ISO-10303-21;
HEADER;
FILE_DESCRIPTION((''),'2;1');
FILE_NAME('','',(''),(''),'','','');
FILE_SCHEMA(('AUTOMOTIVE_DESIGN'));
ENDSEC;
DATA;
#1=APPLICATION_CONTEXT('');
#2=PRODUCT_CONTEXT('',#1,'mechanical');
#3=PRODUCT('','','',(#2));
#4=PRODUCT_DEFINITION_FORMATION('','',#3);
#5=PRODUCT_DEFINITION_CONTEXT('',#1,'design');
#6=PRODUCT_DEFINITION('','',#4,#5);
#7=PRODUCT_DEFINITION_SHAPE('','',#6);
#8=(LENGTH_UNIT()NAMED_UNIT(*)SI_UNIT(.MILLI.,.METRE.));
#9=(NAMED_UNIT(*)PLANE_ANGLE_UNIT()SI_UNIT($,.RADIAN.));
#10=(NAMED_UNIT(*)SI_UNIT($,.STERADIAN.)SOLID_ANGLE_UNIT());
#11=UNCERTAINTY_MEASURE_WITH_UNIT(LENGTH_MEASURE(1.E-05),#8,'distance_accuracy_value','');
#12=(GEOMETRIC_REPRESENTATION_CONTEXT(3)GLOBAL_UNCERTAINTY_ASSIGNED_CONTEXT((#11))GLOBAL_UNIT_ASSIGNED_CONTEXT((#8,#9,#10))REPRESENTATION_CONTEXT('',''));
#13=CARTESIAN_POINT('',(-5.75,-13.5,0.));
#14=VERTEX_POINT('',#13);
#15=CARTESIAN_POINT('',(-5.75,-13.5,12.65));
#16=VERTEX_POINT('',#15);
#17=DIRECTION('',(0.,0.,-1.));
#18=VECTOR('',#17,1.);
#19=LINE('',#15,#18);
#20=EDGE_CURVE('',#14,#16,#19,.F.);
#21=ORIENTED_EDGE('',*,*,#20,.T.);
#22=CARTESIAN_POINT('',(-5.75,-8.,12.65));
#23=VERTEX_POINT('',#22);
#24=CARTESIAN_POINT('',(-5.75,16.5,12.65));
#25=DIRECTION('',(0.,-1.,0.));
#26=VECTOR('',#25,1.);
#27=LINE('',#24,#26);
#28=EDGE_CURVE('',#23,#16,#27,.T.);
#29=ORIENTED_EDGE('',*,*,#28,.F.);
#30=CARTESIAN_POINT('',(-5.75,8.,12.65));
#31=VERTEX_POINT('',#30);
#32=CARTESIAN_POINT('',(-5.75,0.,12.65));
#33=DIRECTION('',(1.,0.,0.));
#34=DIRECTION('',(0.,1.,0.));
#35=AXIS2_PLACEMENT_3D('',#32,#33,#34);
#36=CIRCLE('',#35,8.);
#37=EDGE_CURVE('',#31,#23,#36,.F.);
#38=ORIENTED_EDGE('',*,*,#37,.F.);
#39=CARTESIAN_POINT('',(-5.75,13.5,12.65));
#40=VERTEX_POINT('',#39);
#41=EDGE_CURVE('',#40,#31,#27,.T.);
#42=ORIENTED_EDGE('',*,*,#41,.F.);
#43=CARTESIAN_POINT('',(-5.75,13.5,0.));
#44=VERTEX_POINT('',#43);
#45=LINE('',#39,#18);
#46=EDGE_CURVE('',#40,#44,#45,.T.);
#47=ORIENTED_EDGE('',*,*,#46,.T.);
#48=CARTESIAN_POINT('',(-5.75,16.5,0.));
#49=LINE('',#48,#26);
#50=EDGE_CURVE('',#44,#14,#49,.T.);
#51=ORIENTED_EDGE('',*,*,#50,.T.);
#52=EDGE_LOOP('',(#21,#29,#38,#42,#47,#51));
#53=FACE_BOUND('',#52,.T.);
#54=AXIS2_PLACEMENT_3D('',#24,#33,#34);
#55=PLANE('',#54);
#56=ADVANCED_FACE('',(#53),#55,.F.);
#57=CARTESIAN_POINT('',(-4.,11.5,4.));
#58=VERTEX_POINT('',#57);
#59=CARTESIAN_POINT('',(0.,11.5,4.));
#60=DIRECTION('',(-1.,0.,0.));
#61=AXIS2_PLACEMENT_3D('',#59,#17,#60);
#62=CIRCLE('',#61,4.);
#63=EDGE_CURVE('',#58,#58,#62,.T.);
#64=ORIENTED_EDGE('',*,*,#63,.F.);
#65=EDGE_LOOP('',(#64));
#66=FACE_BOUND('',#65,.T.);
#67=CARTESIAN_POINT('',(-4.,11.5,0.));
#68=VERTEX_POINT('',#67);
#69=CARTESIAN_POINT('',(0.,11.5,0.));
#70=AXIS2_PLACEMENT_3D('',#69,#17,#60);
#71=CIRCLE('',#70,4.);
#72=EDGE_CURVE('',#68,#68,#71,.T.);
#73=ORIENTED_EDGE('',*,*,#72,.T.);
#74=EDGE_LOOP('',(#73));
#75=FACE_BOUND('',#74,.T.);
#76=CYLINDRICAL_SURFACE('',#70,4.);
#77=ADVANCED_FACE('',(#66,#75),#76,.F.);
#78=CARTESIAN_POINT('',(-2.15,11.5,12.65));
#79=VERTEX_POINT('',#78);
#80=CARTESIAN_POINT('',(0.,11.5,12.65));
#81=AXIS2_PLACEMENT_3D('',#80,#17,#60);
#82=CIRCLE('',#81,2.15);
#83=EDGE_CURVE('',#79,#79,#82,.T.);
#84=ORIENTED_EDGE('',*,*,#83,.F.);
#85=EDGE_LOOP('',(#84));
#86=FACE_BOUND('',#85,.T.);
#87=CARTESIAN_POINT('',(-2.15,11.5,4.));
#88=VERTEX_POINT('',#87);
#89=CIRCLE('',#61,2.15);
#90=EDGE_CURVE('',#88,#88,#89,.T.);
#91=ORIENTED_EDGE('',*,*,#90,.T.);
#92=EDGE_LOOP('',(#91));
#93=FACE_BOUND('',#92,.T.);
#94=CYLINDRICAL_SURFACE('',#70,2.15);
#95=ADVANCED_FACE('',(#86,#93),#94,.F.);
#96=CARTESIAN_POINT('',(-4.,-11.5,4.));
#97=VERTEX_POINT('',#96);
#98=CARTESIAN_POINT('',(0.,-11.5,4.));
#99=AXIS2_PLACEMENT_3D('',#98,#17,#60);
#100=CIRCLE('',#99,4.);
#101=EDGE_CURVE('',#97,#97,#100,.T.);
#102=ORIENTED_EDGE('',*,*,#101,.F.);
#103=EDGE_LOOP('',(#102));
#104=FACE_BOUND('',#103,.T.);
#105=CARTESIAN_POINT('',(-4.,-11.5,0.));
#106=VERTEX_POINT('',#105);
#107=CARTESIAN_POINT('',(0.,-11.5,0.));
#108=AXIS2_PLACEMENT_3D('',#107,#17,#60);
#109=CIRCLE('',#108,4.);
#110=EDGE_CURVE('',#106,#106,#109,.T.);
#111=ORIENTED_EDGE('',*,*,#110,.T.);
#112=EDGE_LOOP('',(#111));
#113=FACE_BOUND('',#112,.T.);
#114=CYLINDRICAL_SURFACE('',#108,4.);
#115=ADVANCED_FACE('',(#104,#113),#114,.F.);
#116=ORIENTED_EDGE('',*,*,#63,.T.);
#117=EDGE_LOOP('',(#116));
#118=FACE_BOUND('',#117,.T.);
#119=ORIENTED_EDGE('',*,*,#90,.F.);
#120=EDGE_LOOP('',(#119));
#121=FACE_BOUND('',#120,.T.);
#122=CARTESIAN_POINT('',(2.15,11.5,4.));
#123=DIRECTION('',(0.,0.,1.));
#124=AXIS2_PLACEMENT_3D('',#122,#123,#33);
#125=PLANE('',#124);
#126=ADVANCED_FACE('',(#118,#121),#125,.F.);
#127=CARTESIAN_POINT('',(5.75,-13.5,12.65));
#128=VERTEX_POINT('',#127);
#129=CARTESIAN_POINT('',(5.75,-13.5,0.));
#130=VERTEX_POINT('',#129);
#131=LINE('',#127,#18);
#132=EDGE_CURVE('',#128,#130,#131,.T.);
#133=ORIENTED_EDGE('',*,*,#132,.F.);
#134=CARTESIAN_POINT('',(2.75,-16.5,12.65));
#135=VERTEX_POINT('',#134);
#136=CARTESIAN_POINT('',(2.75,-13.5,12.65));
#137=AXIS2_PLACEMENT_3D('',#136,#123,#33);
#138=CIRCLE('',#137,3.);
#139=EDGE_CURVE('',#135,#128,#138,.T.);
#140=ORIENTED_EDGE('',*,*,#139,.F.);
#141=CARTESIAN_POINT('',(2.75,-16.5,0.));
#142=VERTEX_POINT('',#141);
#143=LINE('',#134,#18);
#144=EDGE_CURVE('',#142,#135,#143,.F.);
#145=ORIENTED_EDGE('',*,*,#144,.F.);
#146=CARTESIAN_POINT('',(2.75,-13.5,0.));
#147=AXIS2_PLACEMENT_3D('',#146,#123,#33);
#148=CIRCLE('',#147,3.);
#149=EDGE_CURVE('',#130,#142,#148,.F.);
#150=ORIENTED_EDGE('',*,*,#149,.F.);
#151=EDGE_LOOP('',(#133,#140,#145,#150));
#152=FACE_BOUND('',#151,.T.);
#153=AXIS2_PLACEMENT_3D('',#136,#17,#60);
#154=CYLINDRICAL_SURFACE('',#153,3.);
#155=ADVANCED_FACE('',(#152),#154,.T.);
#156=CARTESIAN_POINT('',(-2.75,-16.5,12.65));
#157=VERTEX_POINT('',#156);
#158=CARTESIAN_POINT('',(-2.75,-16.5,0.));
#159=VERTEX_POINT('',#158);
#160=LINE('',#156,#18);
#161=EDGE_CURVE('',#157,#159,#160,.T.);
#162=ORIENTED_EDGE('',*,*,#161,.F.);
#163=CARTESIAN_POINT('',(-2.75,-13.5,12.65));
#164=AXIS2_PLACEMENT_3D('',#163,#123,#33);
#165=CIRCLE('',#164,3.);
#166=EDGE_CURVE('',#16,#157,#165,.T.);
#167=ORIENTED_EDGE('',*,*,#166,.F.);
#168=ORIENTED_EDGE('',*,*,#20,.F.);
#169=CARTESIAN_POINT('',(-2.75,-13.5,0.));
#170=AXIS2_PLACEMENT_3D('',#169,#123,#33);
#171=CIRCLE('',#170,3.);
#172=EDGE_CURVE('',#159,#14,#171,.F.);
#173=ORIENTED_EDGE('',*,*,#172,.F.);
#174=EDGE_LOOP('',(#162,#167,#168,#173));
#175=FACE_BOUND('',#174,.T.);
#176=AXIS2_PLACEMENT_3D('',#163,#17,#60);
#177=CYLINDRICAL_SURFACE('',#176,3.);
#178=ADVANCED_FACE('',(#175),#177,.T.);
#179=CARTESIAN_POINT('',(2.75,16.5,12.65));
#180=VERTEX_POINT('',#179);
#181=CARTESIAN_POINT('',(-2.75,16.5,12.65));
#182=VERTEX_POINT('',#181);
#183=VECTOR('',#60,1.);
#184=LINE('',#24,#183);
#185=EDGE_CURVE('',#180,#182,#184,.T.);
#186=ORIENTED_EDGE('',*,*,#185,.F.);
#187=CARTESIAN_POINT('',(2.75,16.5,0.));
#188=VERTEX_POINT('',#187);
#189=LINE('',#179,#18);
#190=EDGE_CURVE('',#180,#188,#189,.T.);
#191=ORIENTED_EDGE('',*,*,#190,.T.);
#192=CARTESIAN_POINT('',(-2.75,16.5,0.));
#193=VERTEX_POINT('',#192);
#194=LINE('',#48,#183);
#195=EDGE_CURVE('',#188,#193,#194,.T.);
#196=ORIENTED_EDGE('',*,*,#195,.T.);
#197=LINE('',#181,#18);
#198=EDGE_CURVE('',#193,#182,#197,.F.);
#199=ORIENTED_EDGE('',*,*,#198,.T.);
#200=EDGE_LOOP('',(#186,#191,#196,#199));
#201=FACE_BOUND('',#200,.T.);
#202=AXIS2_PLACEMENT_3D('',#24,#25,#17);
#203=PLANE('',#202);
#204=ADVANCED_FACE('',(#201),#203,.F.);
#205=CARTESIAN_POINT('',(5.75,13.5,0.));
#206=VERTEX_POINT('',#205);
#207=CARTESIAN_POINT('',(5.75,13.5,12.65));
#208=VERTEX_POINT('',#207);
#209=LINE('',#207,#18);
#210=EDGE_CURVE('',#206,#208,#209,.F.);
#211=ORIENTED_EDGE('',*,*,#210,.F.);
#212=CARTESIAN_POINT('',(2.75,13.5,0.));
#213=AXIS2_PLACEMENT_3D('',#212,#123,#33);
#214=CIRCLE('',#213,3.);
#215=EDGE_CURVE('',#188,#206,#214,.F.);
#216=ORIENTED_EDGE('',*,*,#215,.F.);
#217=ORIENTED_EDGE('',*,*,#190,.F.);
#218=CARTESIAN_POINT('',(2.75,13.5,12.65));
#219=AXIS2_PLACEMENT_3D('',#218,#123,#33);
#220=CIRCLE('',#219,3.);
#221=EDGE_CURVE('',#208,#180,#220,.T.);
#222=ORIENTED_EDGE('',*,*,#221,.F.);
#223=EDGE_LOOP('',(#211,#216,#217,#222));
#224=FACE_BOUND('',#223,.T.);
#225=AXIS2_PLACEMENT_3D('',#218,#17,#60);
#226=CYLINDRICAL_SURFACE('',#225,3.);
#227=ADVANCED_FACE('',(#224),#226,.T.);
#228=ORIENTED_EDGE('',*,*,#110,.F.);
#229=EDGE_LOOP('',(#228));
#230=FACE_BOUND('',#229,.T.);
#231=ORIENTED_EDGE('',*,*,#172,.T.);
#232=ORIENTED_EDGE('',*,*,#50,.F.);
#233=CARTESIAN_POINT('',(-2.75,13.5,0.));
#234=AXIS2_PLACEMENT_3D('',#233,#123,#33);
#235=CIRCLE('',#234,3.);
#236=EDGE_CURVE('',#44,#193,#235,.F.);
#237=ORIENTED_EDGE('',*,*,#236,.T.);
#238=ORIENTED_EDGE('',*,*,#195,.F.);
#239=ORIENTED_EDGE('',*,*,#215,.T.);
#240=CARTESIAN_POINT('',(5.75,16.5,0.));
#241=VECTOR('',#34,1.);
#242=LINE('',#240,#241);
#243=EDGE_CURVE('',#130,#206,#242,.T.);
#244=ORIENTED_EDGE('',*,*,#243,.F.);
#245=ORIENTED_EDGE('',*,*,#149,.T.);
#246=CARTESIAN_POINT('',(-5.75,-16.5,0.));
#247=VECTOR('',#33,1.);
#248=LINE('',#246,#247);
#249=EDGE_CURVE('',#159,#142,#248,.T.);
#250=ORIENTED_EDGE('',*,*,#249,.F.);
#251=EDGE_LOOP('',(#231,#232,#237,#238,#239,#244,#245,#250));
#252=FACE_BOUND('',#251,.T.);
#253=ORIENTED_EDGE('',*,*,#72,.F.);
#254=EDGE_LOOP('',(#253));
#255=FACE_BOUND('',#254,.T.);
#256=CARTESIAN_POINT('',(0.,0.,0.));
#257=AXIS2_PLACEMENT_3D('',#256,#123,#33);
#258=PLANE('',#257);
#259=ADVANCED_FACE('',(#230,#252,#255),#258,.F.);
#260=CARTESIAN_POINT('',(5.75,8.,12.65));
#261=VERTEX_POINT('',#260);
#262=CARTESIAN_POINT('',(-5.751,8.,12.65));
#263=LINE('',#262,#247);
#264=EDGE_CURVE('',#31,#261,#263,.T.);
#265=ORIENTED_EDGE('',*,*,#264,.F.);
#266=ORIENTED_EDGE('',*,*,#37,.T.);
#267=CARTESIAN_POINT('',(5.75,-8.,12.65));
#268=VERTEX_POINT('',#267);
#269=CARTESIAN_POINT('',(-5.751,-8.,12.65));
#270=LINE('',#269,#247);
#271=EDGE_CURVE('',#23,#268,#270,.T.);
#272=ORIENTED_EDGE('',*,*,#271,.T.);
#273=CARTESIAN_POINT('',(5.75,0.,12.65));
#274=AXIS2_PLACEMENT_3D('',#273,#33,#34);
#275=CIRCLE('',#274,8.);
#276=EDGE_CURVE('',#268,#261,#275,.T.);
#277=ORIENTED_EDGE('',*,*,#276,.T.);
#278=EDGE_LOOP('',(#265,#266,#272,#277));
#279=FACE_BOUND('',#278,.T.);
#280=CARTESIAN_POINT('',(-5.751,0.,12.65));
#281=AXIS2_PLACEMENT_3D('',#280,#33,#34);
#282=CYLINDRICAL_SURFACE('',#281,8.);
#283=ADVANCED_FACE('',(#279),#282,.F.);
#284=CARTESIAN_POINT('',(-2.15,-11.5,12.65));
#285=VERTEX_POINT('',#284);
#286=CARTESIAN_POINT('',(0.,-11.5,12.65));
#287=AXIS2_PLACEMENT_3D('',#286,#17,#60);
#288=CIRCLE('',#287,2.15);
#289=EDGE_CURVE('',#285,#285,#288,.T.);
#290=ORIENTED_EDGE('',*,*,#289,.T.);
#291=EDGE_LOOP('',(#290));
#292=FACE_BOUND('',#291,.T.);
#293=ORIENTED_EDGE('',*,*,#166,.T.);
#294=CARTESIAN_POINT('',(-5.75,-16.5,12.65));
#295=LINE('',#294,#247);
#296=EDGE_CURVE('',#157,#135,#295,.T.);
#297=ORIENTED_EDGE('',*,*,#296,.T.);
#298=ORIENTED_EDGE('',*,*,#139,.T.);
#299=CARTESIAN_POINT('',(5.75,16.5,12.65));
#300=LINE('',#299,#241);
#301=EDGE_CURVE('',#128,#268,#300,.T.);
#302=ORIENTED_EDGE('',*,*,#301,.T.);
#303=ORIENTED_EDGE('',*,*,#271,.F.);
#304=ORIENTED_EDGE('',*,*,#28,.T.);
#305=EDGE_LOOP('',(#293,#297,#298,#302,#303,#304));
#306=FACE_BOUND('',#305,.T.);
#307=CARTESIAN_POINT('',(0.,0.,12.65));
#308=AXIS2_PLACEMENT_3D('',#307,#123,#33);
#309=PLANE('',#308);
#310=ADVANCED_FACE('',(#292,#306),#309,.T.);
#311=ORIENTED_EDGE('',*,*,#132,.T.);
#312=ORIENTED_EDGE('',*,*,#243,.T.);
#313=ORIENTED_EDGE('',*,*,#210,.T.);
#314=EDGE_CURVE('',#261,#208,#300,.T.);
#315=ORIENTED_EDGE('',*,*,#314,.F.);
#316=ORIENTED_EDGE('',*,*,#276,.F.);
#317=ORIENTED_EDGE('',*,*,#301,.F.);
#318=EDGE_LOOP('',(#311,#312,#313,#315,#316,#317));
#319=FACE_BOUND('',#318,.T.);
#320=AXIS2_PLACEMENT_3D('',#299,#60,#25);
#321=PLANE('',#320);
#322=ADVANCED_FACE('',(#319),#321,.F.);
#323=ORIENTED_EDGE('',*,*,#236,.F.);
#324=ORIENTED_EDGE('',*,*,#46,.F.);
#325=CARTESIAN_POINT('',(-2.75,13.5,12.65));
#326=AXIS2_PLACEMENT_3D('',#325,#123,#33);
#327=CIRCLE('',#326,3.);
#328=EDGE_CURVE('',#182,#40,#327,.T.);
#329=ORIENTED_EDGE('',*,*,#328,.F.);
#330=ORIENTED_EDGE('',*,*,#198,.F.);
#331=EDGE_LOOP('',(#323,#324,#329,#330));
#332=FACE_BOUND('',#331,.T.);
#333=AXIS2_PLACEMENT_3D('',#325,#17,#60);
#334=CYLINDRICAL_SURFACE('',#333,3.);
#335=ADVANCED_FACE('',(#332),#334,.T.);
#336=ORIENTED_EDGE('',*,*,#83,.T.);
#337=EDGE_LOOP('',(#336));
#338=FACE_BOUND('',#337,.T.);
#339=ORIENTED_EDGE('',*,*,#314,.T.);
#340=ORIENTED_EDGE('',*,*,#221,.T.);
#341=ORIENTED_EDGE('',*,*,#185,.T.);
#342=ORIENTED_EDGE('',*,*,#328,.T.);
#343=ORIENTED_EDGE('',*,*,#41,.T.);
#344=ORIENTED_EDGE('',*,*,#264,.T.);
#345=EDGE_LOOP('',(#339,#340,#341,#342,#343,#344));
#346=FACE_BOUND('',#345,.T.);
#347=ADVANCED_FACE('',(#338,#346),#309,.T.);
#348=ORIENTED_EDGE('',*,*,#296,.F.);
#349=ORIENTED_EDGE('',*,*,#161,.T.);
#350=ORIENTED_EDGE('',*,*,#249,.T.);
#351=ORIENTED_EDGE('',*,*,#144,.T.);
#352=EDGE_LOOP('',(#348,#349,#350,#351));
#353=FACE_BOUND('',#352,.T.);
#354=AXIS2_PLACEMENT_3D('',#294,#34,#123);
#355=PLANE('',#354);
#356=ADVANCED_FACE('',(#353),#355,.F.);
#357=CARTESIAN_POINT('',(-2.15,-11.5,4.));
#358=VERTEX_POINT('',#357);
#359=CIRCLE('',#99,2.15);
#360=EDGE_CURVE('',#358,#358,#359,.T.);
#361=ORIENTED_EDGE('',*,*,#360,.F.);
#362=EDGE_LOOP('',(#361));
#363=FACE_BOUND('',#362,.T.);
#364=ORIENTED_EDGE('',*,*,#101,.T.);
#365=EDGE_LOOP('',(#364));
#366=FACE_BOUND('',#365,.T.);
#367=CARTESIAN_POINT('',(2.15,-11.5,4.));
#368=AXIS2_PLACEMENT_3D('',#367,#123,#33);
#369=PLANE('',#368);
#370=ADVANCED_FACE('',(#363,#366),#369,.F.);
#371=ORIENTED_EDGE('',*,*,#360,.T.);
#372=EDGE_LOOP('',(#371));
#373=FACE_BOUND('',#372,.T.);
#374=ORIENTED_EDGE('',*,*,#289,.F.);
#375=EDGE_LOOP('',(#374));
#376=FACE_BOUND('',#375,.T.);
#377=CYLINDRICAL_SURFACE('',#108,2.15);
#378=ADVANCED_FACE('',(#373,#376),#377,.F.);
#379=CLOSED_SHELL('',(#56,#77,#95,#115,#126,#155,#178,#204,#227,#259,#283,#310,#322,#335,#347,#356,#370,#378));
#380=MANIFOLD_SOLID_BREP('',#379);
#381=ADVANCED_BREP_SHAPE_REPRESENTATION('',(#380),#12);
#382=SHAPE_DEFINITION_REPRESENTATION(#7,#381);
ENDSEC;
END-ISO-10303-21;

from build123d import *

# Parameters (mm, degrees)
SKETCH1_W                      = 11.5
SKETCH1_H                      = 33
BOSS_EXTRUDE1_DEPTH            = 12.65
FILLET1_R                      = 3
CUT_EXTRUDE1_REACH             = 25.76
CBORE_FOR_M4_SHCS1_D           = 4.3
CBORE_FOR_M4_SHCS1_CBORE_D     = 8
CBORE_FOR_M4_SHCS1_CBORE_DEPTH = 4


with BuildPart() as part:
    # Sketch1 → Boss-Extrude1 (new body)
    with BuildSketch(Plane.XY):
        Rectangle(SKETCH1_W, SKETCH1_H)
    extrude(amount=BOSS_EXTRUDE1_DEPTH)

    # Fillet1
    fillet1_edges = [part.edges().sort_by_distance(p)[0] for p in [
        (5.75, -16.5, 6.325),
        (-5.75, -16.5, 6.325),
        (-5.75, 16.5, 6.325),
        (5.75, 16.5, 6.325),
    ]]
    fillet(fillet1_edges, radius=FILLET1_R)

    # Sketch2 → Cut-Extrude1 (cut, up to next)
    with BuildSketch(Plane(origin=(5.75, 0, 0), x_dir=(0, 0, -1), z_dir=(1, 0, 0)), mode=Mode.PRIVATE) as cut_extrude1_sk1:
        with BuildLine():
            Line((-12.65, 8), (-12.65, -8))
            ThreePointArc((-12.65, -8), (-4.65, 0), (-12.65, 8))
        make_face()
    cut_extrude1_tool1 = extrude(cut_extrude1_sk1.sketch, amount=-CUT_EXTRUDE1_REACH, mode=Mode.PRIVATE) & part.part
    add(cut_extrude1_tool1.solids().sort_by_distance((5.75, 0, 9.254695))[0], mode=Mode.SUBTRACT)

    # CBORE for M4 SHCS1 (through all)
    with Locations(Plane(origin=(0, 0, 0), x_dir=(-1, 0, 0), z_dir=(0, 0, -1))):
        with Locations((0, 11.5), (0, -11.5)):
            CounterBoreHole(CBORE_FOR_M4_SHCS1_D / 2, CBORE_FOR_M4_SHCS1_CBORE_D / 2, CBORE_FOR_M4_SHCS1_CBORE_DEPTH)


solid = part.part
